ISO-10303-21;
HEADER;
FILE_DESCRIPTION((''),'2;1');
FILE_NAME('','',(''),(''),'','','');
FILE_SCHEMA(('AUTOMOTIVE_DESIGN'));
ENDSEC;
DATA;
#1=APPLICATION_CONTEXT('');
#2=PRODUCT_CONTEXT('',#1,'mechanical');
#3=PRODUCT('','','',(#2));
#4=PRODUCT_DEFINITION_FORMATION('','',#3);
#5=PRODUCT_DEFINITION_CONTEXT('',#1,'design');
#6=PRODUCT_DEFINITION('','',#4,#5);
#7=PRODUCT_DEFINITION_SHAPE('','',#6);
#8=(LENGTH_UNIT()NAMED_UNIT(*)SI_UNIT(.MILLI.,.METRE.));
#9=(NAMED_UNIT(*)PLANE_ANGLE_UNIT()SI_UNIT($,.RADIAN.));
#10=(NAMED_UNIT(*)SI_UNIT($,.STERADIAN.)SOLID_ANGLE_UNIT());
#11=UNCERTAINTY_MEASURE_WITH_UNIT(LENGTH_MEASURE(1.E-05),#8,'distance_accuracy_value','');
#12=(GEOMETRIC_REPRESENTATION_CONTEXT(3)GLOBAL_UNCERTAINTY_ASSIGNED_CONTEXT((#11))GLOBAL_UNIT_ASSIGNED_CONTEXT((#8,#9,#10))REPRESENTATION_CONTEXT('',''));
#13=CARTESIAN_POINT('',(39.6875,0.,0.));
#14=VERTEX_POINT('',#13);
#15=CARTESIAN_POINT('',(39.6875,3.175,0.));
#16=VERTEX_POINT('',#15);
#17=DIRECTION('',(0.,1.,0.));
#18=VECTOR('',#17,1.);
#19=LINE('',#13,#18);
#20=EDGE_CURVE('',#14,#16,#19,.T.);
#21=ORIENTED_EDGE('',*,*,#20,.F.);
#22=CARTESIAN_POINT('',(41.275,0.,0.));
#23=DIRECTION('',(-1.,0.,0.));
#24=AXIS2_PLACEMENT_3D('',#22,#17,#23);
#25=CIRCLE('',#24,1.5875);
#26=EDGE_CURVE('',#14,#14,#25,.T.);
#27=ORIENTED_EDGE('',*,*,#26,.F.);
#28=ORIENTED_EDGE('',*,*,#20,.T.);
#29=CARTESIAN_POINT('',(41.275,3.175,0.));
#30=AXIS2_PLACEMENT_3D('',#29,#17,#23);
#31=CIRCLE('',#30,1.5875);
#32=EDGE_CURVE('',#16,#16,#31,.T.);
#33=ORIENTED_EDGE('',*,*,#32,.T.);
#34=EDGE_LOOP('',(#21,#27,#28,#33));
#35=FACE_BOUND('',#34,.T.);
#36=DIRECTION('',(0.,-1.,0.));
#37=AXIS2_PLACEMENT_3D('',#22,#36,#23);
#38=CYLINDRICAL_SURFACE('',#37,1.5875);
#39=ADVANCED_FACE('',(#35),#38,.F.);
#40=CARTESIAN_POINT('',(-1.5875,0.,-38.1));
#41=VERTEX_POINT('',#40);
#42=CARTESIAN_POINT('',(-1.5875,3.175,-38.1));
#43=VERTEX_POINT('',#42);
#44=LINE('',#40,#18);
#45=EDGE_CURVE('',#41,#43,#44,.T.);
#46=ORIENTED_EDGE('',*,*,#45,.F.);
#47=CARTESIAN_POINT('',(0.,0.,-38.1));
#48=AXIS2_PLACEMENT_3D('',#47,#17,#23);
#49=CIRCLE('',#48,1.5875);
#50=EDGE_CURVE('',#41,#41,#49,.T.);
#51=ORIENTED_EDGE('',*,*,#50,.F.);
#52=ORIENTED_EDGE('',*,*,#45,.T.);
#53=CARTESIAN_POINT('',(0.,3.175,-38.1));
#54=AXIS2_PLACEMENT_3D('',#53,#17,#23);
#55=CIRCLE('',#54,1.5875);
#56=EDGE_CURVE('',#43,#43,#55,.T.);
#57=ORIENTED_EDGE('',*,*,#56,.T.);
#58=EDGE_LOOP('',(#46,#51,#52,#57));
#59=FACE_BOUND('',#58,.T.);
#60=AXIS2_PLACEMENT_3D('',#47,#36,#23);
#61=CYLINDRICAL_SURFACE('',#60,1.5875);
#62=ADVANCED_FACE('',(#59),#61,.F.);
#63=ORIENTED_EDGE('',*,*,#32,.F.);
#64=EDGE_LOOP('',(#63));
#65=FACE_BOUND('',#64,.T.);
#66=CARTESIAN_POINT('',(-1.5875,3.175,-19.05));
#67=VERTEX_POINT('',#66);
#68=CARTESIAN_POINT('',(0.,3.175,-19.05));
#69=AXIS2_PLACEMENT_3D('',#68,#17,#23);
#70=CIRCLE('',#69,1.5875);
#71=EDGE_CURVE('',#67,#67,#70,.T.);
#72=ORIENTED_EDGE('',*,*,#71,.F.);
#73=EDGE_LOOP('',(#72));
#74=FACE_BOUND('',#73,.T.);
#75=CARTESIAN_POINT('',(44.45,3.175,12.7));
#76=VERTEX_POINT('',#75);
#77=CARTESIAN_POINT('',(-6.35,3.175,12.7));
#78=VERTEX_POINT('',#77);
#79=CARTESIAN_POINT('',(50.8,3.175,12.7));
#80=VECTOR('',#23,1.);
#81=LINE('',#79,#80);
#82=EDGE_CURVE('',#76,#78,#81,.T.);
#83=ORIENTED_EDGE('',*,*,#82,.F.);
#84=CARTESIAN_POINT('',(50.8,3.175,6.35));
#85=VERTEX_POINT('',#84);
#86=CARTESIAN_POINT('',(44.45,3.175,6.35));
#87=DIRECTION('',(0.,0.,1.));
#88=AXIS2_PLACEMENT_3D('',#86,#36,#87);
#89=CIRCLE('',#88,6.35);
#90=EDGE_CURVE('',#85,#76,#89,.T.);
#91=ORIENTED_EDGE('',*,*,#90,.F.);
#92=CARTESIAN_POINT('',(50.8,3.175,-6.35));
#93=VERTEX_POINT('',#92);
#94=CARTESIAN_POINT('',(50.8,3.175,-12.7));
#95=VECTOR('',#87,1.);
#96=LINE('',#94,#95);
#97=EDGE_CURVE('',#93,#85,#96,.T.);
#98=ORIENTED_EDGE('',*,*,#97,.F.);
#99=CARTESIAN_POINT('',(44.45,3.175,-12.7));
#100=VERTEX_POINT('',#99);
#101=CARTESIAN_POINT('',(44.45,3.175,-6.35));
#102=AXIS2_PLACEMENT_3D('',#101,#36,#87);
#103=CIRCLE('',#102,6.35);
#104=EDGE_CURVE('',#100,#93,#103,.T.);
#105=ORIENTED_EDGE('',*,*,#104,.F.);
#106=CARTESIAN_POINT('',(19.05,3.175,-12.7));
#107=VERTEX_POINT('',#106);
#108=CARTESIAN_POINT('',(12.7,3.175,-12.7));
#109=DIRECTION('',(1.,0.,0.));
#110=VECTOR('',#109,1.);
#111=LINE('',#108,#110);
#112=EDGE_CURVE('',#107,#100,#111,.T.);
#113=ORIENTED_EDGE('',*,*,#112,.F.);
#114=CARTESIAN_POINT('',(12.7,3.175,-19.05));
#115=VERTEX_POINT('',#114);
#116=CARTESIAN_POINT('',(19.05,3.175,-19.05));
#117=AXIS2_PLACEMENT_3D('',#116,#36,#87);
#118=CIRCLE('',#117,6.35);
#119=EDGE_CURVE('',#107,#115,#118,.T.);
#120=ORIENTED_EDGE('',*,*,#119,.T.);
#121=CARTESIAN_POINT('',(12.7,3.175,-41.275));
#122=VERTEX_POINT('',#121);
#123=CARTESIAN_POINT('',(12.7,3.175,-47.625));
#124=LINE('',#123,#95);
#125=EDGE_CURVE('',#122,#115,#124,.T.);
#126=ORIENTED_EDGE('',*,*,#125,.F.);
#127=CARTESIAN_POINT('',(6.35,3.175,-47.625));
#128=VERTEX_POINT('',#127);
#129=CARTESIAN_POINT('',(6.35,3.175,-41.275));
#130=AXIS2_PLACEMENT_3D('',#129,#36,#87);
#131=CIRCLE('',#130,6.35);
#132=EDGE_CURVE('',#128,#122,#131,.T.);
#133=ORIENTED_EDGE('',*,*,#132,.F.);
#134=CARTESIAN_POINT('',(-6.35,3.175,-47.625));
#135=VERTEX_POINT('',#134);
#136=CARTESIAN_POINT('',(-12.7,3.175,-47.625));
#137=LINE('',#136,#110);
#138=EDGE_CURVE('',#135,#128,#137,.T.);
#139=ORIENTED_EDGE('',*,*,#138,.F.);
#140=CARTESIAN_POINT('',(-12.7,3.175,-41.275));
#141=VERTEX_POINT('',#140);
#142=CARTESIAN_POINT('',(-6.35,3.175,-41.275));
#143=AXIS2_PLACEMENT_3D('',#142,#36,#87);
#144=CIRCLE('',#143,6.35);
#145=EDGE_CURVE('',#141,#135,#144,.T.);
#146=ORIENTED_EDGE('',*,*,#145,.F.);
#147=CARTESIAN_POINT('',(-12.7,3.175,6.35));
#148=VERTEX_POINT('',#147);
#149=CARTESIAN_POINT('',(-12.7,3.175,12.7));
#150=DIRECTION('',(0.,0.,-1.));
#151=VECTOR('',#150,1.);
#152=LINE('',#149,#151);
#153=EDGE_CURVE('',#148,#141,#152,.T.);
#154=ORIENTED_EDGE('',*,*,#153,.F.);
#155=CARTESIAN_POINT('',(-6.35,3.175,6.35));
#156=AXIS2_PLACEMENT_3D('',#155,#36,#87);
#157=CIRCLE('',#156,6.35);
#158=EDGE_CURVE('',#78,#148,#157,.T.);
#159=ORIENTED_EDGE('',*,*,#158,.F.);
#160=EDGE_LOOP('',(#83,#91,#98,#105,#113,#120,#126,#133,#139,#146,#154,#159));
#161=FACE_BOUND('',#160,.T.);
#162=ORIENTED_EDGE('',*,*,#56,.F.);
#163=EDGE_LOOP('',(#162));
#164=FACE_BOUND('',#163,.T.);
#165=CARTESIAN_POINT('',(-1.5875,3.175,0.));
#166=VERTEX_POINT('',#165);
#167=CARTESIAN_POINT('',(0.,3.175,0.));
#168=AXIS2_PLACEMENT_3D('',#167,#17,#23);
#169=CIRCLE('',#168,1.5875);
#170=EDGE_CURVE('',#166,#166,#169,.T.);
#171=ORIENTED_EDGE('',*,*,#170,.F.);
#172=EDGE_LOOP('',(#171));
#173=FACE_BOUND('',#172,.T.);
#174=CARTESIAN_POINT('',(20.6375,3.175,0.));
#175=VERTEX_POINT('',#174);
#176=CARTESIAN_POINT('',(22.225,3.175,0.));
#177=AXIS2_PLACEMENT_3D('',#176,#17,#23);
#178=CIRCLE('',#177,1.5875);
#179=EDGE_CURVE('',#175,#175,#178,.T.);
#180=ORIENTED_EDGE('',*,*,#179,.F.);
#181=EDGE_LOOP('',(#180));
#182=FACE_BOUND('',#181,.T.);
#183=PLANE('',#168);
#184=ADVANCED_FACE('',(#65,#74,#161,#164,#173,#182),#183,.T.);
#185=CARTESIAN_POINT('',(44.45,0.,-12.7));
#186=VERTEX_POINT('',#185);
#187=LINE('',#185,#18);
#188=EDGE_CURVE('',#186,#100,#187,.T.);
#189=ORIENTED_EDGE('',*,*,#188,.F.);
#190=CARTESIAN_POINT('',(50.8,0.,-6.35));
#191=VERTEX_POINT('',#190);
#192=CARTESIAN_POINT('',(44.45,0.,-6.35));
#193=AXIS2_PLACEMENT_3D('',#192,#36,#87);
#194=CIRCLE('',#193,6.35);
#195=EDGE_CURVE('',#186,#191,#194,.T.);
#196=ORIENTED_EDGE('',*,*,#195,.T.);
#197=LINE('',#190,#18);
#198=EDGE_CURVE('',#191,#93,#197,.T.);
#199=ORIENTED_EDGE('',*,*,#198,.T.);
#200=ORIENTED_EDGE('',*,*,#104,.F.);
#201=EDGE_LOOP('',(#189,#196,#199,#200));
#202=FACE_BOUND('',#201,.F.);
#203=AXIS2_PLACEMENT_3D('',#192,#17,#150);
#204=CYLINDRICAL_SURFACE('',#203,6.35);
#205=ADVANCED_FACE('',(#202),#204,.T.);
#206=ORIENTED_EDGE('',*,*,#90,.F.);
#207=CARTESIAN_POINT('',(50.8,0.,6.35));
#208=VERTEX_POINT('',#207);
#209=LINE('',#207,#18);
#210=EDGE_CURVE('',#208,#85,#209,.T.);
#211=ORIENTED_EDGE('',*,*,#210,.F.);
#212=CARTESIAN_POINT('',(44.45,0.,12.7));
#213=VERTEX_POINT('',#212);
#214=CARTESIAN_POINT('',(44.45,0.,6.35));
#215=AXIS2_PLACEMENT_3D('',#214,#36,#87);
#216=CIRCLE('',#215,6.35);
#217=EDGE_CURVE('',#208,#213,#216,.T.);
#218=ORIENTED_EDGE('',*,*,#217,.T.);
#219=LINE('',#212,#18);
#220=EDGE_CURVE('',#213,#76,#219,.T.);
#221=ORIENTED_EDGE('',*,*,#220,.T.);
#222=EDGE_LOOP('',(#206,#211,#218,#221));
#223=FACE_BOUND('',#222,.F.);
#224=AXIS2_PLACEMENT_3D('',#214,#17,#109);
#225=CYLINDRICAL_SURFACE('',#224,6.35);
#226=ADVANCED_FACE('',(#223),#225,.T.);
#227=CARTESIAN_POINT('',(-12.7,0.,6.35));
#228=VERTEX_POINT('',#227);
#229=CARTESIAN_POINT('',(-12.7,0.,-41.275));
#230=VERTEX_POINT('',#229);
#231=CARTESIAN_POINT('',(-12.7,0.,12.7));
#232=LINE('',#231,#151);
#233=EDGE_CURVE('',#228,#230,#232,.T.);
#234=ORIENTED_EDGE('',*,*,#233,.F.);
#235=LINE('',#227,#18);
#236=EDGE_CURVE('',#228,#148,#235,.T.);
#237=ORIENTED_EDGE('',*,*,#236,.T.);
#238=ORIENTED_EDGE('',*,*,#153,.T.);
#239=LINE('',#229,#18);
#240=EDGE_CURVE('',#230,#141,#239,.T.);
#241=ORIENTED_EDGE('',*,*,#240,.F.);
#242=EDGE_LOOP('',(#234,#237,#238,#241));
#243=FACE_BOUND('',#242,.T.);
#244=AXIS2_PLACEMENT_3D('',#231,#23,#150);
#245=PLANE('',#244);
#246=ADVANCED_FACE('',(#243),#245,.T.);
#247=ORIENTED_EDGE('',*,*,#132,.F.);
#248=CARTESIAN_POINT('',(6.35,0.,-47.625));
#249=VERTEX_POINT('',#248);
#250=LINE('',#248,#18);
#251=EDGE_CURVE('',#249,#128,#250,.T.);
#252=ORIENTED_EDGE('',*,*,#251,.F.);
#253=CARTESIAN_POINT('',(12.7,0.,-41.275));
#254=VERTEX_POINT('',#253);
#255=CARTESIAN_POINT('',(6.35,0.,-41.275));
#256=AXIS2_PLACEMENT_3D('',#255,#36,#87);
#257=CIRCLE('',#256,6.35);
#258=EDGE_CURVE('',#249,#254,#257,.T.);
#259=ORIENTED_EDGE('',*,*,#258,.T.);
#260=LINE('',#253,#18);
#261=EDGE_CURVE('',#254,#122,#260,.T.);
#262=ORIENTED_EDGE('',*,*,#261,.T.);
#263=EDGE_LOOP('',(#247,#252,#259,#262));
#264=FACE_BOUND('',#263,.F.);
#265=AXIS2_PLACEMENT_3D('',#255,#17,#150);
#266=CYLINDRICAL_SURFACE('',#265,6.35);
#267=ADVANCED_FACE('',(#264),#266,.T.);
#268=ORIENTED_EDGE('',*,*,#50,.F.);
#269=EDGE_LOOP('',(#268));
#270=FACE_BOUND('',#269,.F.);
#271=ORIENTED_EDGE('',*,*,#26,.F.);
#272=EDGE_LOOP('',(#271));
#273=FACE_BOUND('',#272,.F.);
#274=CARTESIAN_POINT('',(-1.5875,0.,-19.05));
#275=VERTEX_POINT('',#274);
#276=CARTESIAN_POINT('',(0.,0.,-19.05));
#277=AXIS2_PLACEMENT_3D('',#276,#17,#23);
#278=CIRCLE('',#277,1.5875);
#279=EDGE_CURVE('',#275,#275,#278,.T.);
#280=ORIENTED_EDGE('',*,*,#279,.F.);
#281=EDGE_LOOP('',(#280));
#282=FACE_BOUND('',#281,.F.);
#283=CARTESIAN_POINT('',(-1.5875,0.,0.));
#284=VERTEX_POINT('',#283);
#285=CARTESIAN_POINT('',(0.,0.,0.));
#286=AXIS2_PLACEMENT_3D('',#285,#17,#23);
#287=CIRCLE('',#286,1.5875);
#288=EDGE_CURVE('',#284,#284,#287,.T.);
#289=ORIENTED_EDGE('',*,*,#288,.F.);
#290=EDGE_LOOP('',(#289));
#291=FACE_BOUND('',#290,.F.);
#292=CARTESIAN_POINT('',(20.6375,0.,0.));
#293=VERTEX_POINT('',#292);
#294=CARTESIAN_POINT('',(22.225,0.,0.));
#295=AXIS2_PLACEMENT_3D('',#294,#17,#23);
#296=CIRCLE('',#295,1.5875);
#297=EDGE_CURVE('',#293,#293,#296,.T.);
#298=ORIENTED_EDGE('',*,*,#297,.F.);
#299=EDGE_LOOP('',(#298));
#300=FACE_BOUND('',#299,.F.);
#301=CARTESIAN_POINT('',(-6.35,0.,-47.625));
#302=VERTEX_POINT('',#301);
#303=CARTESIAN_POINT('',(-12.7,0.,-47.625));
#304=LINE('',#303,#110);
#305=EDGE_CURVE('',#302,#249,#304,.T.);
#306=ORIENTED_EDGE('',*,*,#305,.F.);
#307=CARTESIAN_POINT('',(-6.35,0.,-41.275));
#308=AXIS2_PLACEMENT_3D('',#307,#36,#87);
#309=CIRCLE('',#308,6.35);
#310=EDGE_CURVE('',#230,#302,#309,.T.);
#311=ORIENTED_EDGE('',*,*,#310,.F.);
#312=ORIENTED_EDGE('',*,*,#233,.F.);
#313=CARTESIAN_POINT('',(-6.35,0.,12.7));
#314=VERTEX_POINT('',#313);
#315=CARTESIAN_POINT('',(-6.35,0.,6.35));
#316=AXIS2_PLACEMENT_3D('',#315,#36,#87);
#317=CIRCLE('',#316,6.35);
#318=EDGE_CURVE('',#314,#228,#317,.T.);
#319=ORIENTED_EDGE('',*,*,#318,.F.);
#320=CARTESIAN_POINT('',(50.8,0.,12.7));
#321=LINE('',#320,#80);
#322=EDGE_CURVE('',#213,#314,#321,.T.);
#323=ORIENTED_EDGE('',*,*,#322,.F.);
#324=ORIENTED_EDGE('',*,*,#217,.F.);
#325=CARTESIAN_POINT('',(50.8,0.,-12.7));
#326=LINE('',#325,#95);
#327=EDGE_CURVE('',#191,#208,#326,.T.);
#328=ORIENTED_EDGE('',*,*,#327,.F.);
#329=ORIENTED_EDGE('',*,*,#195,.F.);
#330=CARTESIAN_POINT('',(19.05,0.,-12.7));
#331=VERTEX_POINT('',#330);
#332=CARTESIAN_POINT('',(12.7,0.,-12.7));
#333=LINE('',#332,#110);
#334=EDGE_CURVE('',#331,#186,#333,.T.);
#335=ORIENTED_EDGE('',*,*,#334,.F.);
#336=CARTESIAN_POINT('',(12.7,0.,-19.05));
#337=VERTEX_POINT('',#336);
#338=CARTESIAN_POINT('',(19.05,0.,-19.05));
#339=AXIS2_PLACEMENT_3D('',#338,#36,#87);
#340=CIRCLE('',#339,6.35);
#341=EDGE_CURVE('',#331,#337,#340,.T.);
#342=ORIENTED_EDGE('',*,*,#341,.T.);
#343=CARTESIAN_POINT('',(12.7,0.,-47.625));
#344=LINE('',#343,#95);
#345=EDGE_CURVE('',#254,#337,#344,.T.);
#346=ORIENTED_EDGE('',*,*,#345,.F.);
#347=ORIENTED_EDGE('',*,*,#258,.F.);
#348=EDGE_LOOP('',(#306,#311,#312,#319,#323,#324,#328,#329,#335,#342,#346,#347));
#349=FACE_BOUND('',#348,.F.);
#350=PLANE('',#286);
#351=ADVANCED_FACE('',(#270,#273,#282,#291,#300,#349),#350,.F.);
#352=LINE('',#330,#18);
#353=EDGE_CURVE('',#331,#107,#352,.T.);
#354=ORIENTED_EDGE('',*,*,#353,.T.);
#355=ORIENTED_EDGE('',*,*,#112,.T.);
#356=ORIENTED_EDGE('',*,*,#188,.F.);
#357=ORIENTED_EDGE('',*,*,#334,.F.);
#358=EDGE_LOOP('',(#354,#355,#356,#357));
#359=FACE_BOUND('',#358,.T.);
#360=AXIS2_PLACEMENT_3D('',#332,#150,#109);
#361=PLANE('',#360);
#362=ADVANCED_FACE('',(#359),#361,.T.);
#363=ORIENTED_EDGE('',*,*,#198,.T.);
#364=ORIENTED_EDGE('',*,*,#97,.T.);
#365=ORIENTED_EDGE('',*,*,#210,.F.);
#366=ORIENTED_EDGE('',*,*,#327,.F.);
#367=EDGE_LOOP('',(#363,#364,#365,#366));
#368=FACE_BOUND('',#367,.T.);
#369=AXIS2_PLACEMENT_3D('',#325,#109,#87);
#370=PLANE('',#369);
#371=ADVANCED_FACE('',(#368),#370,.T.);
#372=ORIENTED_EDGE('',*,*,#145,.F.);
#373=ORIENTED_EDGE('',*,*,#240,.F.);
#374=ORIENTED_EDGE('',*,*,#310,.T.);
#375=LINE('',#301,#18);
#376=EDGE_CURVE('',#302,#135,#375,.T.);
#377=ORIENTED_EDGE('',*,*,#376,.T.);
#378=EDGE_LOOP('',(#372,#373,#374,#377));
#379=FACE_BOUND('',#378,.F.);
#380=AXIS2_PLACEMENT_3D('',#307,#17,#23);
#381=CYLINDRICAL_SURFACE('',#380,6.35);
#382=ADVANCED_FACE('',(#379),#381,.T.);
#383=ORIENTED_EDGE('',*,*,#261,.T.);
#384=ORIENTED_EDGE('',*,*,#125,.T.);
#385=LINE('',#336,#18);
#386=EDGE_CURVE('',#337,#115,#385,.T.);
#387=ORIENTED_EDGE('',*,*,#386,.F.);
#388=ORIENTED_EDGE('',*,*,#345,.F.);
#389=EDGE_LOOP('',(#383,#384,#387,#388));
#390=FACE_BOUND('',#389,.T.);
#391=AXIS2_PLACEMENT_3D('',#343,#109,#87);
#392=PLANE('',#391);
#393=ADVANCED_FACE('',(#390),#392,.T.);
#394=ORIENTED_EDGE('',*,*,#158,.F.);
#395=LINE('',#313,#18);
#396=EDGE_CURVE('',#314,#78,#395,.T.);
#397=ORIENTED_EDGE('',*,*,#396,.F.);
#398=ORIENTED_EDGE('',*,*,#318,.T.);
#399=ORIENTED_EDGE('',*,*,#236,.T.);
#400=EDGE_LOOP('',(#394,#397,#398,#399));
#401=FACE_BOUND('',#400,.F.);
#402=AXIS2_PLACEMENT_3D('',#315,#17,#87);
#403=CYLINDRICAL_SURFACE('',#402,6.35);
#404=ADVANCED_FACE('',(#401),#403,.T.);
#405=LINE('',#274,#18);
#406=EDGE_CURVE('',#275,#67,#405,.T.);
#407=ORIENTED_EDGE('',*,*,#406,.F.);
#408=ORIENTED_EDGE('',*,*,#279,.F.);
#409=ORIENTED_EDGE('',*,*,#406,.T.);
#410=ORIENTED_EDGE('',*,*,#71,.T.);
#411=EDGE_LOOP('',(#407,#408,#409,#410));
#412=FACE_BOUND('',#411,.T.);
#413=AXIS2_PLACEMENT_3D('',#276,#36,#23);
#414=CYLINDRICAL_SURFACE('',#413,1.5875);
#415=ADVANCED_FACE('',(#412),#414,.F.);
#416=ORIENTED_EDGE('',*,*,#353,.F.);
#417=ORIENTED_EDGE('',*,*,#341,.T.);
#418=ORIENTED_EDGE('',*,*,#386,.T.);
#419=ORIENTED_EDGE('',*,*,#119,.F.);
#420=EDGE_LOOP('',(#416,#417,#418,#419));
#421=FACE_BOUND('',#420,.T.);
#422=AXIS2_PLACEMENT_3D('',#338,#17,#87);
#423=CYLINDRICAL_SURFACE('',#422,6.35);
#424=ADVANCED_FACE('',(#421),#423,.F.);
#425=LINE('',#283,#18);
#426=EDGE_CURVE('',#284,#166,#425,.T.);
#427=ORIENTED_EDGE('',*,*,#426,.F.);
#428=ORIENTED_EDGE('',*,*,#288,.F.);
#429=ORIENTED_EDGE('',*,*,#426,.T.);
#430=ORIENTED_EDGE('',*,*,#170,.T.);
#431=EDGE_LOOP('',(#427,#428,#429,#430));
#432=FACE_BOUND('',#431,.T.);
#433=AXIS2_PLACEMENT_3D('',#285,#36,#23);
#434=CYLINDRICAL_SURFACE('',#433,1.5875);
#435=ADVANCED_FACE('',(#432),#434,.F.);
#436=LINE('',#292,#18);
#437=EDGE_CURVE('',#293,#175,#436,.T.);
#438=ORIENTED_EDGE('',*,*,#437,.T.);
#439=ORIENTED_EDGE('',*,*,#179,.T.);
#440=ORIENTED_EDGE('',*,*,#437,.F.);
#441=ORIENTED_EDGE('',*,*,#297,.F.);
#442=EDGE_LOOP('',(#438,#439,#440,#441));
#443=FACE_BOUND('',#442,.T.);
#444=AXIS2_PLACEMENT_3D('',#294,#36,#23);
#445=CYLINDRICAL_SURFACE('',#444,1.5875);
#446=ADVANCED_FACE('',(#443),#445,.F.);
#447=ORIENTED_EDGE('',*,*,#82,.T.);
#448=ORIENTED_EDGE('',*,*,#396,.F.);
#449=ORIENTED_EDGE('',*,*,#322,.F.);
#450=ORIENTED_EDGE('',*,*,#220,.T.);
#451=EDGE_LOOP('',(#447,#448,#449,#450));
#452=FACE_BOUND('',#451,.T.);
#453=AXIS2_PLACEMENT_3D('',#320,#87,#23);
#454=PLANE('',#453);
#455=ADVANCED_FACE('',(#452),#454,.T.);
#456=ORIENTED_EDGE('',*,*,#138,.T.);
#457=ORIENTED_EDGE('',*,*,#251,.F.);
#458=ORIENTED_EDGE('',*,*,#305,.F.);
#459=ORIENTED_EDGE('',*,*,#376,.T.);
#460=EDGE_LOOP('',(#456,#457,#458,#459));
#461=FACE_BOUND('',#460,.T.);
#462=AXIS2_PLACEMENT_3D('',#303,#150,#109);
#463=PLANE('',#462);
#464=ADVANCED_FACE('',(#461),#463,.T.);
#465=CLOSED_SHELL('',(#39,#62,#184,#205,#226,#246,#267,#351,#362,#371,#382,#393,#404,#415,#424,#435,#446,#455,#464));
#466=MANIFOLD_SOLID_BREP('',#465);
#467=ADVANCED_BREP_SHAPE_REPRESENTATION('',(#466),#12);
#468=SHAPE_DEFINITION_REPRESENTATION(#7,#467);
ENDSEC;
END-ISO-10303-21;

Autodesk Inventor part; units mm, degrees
ref_plane "YZ Plane" through (0, 0, 0) normal (1, 0, 0) x (0, 1, 0)
ref_plane "XZ Plane" through (0, 0, 0) normal (0, 1, 0) x (-1, 0, 0)
ref_plane "XY Plane" through (0, 0, 0) normal (0, 0, 1) x (1, 0, 0)
sketch "Sketch1" plane through (0, 0, 0) normal (0, 1, 0) x (-1, 0, 0)
  circle A0 centre (0, 0) radius 1.5875
  line L0 (0, 0) -> (0, -38.1) construction
  circle A1 centre (-22.225, 0) radius 1.5875
  circle A2 centre (-41.275, 0) radius 1.5875
  circle A3 centre (0, -19.05) radius 1.5875
  circle A4 centre (0, -38.1) radius 1.5875
  line L1 (-12.7, -12.7) -> (-50.8, -12.7)
  line L2 (-50.8, -12.7) -> (-50.8, 12.7)
  line L3 (-50.8, 12.7) -> (12.7, 12.7)
  line L4 (12.7, 12.7) -> (12.7, -47.625)
  line L5 (12.7, -47.625) -> (-12.7, -47.625)
  line L6 (-12.7, -47.625) -> (-12.7, -12.7)
  line L7 (0, -38.1) -> (0, -47.625) construction
  line L8 (-41.275, 0) -> (-50.8, 0) construction
  line L9 (-12.7, -12.7) -> (-12.7, 12.7) construction
  line L10 (0, 0) -> (-41.275, 0) construction
  dimension "d0" = 3.175
  dimension "d1" = 22.225
  dimension "d2" = 25.4
  dimension "d3" = 9.525
  dimension "d4" = 19.05
  dimension "d5" = 19.05
extrude "Extrusion1" add sketch "Sketch1" along normal blind 3.175
fillet "Fillet1" radius 6.35 6 edges at (50.8, 1.5875, 12.7) (50.8, 1.5875, -12.7) (12.7, 1.5875, -47.625) (-12.7, 1.5875, -47.625) (-12.7, 1.5875, 12.7) (12.7, 1.5875, -12.7)
properties part number "plate" material "Aluminum 6061"
